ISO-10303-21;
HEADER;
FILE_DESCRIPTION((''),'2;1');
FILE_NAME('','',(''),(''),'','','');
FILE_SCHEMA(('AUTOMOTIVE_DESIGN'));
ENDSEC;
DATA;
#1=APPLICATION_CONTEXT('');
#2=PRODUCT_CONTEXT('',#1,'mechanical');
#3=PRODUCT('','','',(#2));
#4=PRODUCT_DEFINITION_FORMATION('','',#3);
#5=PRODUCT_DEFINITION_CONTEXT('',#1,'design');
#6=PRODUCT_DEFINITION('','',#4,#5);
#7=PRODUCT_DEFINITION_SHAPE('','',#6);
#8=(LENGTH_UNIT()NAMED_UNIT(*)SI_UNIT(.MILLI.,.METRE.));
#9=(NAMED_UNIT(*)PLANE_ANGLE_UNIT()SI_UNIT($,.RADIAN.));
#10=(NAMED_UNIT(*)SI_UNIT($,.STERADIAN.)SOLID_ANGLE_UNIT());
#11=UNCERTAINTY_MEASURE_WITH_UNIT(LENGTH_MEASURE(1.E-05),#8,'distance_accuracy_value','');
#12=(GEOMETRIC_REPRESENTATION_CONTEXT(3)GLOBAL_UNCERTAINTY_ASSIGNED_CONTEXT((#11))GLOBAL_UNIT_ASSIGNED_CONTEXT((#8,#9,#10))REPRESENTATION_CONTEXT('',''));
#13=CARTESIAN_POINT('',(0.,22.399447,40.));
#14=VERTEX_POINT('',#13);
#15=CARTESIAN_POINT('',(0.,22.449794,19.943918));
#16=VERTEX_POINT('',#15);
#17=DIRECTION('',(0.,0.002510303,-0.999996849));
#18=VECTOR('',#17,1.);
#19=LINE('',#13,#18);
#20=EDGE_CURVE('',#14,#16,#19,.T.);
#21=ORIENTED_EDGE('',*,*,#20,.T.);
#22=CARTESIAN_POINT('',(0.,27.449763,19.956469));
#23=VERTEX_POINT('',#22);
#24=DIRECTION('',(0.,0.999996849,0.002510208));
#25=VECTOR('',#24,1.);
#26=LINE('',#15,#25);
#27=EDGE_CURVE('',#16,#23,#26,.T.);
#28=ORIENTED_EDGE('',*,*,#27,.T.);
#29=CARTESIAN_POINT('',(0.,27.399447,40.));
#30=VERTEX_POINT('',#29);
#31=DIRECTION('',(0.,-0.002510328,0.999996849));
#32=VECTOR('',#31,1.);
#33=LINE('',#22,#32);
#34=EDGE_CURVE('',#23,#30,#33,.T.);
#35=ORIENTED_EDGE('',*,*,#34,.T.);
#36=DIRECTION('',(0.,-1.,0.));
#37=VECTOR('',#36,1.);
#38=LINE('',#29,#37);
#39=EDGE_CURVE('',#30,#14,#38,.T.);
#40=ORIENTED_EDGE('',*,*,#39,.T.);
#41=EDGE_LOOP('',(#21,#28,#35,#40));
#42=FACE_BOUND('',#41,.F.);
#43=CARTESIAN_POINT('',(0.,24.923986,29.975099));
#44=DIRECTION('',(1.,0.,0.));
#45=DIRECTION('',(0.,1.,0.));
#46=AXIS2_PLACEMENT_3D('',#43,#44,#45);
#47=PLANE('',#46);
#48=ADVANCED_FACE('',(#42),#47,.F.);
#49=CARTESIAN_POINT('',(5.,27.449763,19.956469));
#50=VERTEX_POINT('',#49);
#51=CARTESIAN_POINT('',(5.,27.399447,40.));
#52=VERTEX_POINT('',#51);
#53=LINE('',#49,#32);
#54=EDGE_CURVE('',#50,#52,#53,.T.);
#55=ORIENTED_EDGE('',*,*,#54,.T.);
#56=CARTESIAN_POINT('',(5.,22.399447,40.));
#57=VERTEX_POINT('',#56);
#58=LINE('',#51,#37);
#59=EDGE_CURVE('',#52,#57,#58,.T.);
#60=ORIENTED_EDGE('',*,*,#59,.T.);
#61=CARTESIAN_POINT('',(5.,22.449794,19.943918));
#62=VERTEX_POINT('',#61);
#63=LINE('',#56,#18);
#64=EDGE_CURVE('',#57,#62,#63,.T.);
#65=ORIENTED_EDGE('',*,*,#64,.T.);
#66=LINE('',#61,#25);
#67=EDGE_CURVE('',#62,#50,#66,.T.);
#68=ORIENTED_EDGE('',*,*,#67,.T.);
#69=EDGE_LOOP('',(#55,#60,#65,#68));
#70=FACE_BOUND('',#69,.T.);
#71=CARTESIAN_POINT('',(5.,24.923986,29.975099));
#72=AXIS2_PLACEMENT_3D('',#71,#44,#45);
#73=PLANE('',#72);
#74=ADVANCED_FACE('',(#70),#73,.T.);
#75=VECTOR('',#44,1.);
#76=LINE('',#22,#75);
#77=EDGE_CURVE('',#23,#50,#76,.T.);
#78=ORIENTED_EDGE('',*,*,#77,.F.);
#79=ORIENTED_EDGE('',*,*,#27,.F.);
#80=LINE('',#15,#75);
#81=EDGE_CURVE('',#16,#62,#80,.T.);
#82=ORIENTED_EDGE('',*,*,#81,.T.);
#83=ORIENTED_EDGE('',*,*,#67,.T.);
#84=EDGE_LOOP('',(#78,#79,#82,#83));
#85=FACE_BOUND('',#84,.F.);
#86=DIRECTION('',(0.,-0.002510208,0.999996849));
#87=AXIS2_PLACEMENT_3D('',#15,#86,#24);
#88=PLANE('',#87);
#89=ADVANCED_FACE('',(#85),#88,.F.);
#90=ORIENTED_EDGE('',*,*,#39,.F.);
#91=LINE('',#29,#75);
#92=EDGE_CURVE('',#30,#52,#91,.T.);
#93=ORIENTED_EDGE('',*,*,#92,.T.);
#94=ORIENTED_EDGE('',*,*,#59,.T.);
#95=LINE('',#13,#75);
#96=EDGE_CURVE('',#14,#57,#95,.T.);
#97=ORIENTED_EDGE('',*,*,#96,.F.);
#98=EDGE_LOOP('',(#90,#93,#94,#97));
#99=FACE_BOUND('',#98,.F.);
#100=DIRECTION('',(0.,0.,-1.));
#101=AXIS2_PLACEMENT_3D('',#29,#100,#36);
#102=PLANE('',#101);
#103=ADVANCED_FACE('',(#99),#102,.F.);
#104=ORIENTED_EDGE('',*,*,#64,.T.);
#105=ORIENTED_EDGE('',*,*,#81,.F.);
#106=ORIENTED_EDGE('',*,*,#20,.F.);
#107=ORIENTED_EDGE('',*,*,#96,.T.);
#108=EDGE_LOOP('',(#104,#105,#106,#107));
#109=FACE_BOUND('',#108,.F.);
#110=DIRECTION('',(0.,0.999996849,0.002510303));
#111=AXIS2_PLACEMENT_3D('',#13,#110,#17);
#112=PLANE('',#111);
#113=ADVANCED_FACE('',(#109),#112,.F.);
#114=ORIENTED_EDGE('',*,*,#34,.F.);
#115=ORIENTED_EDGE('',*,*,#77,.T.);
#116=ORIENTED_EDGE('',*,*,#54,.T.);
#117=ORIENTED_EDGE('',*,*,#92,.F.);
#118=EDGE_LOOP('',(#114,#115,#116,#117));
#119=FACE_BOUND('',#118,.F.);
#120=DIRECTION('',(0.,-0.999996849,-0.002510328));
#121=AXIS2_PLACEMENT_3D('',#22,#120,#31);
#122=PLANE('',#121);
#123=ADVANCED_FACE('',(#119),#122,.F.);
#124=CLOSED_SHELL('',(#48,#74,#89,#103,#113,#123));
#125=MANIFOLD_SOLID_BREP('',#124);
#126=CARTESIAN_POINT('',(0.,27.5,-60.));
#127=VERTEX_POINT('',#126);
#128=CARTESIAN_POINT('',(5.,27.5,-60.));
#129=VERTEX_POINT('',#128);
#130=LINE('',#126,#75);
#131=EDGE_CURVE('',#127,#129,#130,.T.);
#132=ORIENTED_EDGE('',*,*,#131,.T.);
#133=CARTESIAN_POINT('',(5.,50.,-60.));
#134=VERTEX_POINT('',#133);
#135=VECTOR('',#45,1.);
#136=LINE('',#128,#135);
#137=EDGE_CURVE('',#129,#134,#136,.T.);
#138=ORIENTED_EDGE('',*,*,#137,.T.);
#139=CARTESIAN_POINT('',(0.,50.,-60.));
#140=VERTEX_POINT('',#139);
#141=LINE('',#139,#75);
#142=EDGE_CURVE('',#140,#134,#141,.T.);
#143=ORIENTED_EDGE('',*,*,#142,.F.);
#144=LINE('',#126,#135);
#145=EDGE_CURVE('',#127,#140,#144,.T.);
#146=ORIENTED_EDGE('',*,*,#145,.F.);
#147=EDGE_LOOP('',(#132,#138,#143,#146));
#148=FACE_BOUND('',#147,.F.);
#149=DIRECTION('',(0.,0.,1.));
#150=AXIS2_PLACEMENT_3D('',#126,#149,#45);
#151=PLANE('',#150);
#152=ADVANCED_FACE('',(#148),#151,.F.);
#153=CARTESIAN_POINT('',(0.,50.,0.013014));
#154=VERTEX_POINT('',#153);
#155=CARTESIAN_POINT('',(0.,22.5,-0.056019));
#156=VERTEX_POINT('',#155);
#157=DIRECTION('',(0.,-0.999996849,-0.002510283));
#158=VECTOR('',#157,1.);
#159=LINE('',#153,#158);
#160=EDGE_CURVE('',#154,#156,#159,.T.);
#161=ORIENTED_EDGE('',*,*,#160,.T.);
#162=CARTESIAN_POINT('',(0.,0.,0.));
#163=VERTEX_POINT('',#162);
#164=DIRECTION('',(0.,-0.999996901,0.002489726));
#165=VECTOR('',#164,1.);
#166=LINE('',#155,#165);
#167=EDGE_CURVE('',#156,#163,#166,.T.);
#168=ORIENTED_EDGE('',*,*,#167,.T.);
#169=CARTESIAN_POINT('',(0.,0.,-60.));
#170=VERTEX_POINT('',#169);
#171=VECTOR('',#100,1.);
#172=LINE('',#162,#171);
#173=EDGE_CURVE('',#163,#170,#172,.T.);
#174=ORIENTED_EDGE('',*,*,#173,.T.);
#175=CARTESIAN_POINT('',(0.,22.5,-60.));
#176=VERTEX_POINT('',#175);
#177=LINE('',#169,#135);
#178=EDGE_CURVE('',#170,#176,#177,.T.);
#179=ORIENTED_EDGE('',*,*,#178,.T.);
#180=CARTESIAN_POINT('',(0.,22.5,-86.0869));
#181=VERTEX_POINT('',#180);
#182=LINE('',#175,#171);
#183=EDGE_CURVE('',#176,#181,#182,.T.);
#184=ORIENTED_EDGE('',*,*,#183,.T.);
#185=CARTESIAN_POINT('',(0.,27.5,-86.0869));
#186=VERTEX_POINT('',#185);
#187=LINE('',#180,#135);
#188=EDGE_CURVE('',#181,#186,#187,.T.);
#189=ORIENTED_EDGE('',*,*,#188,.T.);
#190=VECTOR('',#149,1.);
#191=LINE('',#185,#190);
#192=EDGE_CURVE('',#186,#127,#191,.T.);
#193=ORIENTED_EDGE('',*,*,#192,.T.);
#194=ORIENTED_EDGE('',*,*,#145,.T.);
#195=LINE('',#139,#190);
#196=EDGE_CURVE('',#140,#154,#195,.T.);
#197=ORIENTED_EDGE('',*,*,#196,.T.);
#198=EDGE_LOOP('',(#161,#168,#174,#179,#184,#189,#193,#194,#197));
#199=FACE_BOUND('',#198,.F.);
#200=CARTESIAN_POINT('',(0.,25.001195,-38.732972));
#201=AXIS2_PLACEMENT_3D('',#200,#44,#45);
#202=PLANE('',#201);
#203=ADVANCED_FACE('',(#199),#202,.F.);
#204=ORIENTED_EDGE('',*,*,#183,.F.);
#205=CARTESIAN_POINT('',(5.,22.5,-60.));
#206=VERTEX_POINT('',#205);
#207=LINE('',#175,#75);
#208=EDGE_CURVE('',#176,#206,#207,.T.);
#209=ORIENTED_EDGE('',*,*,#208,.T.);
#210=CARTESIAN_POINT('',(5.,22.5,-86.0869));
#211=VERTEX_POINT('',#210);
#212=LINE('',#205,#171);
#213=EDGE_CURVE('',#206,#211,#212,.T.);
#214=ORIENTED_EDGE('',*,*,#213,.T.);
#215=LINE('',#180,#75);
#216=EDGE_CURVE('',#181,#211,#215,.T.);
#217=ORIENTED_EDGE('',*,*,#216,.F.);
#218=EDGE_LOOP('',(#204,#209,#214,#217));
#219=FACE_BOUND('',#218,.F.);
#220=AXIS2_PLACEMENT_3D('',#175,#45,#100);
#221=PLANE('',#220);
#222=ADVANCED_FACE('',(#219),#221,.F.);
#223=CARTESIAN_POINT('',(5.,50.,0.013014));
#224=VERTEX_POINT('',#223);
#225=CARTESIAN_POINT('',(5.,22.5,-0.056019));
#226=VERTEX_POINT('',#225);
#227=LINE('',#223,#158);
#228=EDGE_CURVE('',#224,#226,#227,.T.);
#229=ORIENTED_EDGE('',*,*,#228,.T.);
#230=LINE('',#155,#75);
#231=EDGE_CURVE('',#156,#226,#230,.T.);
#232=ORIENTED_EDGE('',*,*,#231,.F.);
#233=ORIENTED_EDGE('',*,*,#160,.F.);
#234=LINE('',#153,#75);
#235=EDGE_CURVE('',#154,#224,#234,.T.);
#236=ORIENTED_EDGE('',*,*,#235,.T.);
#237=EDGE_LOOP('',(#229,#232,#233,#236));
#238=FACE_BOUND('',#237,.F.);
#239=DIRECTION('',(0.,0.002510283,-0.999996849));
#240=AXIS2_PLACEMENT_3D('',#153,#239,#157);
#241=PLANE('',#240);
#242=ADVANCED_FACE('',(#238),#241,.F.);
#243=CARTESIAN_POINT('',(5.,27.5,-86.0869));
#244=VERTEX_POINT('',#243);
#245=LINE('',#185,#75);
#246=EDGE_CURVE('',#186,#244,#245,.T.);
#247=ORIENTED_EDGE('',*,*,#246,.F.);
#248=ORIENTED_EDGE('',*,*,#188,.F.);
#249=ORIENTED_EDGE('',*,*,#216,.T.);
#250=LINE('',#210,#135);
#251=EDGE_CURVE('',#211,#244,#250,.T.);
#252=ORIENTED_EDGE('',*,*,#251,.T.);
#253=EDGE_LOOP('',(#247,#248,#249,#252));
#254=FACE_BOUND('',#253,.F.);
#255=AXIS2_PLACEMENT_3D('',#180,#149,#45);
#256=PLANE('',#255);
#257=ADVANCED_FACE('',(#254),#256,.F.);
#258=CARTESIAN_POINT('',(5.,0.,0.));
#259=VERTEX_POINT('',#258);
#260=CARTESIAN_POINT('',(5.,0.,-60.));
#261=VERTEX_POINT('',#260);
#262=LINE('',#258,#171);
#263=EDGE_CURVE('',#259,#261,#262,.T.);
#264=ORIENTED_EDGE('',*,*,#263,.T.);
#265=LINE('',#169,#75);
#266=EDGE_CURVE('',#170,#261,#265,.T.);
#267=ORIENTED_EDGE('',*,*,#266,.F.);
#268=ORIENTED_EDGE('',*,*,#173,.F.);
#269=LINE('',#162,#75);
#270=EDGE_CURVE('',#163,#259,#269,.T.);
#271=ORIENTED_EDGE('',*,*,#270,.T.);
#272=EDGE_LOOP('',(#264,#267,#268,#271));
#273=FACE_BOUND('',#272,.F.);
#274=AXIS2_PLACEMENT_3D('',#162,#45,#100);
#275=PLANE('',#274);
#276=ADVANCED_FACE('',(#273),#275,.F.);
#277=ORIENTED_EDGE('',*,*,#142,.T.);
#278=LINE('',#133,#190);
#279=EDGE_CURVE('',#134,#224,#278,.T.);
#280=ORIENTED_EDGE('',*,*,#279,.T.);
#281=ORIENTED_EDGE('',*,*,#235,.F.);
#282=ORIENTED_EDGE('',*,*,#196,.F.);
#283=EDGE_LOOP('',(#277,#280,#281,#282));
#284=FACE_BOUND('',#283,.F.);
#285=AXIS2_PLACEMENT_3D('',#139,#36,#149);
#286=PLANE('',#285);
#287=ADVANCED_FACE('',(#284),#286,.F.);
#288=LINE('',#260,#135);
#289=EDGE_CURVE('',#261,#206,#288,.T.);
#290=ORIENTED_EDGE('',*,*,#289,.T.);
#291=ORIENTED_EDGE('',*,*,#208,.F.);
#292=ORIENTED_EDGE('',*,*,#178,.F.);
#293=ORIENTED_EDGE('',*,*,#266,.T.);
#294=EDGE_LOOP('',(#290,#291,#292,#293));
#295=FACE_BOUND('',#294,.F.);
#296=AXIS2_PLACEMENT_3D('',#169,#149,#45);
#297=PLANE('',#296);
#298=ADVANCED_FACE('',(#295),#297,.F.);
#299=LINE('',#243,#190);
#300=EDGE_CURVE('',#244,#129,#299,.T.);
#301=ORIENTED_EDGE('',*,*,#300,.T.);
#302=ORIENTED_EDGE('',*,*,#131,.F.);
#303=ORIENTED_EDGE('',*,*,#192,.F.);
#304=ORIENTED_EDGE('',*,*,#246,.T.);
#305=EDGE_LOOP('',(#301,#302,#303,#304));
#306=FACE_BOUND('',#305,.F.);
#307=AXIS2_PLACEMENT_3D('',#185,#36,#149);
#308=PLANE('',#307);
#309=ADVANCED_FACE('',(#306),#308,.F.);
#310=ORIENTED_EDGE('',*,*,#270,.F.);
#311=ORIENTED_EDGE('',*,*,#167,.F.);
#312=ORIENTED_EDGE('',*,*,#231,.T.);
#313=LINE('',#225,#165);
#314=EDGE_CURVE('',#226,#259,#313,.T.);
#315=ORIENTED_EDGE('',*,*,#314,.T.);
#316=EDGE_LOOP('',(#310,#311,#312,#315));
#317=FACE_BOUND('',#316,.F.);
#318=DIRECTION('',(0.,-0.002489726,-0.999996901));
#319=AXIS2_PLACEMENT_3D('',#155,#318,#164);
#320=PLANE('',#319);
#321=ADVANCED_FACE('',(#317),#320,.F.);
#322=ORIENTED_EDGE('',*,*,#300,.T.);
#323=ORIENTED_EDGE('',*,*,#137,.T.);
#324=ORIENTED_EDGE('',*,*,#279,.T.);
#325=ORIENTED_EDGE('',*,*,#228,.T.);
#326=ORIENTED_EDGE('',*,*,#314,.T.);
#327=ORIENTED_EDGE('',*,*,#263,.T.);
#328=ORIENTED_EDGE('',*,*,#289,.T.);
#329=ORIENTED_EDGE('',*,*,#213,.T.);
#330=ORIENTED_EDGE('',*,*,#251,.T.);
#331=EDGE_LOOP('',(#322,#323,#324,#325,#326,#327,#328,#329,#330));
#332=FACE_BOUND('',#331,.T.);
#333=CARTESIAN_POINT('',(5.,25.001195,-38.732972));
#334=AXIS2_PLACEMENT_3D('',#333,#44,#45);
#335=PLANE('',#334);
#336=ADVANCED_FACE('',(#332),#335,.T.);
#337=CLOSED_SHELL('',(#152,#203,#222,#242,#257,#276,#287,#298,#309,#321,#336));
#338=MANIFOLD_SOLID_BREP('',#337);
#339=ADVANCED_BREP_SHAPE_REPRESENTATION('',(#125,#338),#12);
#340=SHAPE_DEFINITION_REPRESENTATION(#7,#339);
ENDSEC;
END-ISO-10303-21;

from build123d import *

# Parameters (mm, degrees)
F1_DEPTH = 5


with BuildPart() as f1:
    # F0 (on Right) → F1 (new body)
    with BuildSketch(Plane.YZ):
        Polygon((22.5, -0.056019), (0, 0), (0, -60), (12, -60), (12.401176, -60), (22.5, -60), (22.5, -86.0869), (27.5, -86.0869), (27.5, -81.065385), (27.5, -60), (50, -60), (50, 0.013014), align=None)
        Polygon((22.399447, 40), (22.449794, 19.943918), (27.449763, 19.956469), (27.399447, 40), align=None)
    extrude(amount=F1_DEPTH)


solid = f1.part
